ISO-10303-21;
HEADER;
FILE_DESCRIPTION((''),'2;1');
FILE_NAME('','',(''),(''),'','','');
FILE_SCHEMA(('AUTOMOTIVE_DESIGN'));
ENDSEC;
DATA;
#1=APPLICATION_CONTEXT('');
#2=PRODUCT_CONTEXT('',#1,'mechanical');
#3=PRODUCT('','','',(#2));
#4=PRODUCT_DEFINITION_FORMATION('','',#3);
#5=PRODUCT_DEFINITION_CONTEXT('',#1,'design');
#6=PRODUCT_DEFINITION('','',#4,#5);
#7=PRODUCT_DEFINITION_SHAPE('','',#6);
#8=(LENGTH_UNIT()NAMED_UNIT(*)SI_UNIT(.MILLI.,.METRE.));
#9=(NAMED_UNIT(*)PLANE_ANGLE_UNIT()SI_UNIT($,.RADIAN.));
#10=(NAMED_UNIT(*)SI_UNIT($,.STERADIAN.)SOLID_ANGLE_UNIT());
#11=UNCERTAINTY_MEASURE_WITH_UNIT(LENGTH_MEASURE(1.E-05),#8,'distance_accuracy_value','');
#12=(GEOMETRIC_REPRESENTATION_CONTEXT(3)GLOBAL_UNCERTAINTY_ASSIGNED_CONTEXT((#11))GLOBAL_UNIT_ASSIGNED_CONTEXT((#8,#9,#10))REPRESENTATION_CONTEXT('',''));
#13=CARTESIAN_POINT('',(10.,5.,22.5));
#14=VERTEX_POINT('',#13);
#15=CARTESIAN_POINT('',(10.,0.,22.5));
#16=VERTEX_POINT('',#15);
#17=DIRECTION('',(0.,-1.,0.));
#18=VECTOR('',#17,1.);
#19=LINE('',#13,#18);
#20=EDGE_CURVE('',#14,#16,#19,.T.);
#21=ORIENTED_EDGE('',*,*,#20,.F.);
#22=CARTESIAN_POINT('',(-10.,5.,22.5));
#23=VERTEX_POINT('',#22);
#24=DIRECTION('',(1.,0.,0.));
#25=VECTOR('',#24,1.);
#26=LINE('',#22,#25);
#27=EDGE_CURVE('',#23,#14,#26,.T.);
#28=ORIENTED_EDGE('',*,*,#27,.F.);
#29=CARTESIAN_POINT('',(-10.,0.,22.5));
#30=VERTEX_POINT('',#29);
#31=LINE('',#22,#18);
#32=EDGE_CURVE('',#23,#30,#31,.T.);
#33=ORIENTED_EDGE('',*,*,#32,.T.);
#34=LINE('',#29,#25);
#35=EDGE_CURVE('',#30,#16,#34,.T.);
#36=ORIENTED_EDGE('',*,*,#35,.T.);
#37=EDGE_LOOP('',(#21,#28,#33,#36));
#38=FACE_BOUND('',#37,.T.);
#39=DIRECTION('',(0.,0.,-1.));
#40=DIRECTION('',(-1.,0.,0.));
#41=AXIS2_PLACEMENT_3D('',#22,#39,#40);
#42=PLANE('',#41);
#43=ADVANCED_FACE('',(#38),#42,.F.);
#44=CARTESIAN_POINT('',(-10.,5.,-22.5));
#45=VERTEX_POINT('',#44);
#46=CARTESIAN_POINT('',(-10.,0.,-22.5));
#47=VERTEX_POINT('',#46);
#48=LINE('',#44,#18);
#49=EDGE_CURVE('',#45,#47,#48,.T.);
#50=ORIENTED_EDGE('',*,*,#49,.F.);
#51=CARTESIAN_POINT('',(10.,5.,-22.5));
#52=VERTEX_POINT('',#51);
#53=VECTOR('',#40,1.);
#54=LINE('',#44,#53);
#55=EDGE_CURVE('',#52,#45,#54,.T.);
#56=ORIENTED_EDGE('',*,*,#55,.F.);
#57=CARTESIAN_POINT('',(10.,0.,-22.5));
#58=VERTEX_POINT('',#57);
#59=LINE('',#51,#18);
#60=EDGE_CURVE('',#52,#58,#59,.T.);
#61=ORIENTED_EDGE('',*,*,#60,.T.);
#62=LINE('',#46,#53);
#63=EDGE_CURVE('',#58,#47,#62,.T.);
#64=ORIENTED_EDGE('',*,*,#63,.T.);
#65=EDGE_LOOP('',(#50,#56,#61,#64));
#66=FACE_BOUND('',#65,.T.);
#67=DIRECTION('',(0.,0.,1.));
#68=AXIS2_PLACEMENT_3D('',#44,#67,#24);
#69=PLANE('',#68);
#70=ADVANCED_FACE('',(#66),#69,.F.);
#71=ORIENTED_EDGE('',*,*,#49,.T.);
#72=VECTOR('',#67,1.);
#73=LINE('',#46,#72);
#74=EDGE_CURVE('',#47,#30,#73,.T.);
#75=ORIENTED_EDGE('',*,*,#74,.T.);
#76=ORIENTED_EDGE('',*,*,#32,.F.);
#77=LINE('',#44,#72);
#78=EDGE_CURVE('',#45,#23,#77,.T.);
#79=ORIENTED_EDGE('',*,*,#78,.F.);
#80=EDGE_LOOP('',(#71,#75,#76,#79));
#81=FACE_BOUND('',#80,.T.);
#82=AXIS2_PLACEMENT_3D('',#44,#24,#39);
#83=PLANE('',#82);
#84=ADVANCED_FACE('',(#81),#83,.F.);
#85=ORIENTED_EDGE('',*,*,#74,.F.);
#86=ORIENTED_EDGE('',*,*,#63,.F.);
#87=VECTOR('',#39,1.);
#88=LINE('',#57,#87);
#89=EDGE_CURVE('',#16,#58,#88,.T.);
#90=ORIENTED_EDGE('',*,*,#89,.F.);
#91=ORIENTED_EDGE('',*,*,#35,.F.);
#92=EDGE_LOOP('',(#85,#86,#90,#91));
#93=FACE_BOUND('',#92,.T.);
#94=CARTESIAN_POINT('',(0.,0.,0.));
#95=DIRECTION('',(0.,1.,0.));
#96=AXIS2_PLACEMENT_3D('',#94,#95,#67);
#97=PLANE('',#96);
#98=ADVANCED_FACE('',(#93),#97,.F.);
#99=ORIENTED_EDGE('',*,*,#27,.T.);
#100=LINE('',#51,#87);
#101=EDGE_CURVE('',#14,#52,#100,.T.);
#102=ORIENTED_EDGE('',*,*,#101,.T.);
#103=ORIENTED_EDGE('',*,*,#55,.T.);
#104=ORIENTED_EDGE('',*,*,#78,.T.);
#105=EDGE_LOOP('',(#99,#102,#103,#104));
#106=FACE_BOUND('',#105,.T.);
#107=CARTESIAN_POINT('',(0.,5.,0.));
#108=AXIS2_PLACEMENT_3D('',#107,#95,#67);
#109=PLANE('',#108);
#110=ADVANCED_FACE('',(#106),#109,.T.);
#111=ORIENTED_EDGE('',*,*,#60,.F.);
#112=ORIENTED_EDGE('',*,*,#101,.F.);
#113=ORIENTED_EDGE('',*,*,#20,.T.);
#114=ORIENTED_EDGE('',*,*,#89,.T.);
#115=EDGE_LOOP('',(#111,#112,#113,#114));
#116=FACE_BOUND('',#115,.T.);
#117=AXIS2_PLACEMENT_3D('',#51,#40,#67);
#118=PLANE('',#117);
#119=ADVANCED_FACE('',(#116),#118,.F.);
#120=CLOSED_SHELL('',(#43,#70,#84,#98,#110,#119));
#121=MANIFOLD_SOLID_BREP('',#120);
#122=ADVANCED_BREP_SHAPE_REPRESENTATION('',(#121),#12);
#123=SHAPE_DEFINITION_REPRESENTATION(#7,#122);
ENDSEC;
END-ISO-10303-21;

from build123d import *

# Parameters (mm, degrees)
SKETCH1_W           = 20
SKETCH1_H           = 45
BOSS_EXTRUDE1_DEPTH = 5


with BuildPart() as part:
    # Sketch1 → Boss-Extrude1 (new body)
    with BuildSketch(Plane(origin=(0, 0, 0), x_dir=(1, 0, 0), z_dir=(0, 1, 0))):
        Rectangle(SKETCH1_W, SKETCH1_H)
    extrude(amount=BOSS_EXTRUDE1_DEPTH)


solid = part.part
